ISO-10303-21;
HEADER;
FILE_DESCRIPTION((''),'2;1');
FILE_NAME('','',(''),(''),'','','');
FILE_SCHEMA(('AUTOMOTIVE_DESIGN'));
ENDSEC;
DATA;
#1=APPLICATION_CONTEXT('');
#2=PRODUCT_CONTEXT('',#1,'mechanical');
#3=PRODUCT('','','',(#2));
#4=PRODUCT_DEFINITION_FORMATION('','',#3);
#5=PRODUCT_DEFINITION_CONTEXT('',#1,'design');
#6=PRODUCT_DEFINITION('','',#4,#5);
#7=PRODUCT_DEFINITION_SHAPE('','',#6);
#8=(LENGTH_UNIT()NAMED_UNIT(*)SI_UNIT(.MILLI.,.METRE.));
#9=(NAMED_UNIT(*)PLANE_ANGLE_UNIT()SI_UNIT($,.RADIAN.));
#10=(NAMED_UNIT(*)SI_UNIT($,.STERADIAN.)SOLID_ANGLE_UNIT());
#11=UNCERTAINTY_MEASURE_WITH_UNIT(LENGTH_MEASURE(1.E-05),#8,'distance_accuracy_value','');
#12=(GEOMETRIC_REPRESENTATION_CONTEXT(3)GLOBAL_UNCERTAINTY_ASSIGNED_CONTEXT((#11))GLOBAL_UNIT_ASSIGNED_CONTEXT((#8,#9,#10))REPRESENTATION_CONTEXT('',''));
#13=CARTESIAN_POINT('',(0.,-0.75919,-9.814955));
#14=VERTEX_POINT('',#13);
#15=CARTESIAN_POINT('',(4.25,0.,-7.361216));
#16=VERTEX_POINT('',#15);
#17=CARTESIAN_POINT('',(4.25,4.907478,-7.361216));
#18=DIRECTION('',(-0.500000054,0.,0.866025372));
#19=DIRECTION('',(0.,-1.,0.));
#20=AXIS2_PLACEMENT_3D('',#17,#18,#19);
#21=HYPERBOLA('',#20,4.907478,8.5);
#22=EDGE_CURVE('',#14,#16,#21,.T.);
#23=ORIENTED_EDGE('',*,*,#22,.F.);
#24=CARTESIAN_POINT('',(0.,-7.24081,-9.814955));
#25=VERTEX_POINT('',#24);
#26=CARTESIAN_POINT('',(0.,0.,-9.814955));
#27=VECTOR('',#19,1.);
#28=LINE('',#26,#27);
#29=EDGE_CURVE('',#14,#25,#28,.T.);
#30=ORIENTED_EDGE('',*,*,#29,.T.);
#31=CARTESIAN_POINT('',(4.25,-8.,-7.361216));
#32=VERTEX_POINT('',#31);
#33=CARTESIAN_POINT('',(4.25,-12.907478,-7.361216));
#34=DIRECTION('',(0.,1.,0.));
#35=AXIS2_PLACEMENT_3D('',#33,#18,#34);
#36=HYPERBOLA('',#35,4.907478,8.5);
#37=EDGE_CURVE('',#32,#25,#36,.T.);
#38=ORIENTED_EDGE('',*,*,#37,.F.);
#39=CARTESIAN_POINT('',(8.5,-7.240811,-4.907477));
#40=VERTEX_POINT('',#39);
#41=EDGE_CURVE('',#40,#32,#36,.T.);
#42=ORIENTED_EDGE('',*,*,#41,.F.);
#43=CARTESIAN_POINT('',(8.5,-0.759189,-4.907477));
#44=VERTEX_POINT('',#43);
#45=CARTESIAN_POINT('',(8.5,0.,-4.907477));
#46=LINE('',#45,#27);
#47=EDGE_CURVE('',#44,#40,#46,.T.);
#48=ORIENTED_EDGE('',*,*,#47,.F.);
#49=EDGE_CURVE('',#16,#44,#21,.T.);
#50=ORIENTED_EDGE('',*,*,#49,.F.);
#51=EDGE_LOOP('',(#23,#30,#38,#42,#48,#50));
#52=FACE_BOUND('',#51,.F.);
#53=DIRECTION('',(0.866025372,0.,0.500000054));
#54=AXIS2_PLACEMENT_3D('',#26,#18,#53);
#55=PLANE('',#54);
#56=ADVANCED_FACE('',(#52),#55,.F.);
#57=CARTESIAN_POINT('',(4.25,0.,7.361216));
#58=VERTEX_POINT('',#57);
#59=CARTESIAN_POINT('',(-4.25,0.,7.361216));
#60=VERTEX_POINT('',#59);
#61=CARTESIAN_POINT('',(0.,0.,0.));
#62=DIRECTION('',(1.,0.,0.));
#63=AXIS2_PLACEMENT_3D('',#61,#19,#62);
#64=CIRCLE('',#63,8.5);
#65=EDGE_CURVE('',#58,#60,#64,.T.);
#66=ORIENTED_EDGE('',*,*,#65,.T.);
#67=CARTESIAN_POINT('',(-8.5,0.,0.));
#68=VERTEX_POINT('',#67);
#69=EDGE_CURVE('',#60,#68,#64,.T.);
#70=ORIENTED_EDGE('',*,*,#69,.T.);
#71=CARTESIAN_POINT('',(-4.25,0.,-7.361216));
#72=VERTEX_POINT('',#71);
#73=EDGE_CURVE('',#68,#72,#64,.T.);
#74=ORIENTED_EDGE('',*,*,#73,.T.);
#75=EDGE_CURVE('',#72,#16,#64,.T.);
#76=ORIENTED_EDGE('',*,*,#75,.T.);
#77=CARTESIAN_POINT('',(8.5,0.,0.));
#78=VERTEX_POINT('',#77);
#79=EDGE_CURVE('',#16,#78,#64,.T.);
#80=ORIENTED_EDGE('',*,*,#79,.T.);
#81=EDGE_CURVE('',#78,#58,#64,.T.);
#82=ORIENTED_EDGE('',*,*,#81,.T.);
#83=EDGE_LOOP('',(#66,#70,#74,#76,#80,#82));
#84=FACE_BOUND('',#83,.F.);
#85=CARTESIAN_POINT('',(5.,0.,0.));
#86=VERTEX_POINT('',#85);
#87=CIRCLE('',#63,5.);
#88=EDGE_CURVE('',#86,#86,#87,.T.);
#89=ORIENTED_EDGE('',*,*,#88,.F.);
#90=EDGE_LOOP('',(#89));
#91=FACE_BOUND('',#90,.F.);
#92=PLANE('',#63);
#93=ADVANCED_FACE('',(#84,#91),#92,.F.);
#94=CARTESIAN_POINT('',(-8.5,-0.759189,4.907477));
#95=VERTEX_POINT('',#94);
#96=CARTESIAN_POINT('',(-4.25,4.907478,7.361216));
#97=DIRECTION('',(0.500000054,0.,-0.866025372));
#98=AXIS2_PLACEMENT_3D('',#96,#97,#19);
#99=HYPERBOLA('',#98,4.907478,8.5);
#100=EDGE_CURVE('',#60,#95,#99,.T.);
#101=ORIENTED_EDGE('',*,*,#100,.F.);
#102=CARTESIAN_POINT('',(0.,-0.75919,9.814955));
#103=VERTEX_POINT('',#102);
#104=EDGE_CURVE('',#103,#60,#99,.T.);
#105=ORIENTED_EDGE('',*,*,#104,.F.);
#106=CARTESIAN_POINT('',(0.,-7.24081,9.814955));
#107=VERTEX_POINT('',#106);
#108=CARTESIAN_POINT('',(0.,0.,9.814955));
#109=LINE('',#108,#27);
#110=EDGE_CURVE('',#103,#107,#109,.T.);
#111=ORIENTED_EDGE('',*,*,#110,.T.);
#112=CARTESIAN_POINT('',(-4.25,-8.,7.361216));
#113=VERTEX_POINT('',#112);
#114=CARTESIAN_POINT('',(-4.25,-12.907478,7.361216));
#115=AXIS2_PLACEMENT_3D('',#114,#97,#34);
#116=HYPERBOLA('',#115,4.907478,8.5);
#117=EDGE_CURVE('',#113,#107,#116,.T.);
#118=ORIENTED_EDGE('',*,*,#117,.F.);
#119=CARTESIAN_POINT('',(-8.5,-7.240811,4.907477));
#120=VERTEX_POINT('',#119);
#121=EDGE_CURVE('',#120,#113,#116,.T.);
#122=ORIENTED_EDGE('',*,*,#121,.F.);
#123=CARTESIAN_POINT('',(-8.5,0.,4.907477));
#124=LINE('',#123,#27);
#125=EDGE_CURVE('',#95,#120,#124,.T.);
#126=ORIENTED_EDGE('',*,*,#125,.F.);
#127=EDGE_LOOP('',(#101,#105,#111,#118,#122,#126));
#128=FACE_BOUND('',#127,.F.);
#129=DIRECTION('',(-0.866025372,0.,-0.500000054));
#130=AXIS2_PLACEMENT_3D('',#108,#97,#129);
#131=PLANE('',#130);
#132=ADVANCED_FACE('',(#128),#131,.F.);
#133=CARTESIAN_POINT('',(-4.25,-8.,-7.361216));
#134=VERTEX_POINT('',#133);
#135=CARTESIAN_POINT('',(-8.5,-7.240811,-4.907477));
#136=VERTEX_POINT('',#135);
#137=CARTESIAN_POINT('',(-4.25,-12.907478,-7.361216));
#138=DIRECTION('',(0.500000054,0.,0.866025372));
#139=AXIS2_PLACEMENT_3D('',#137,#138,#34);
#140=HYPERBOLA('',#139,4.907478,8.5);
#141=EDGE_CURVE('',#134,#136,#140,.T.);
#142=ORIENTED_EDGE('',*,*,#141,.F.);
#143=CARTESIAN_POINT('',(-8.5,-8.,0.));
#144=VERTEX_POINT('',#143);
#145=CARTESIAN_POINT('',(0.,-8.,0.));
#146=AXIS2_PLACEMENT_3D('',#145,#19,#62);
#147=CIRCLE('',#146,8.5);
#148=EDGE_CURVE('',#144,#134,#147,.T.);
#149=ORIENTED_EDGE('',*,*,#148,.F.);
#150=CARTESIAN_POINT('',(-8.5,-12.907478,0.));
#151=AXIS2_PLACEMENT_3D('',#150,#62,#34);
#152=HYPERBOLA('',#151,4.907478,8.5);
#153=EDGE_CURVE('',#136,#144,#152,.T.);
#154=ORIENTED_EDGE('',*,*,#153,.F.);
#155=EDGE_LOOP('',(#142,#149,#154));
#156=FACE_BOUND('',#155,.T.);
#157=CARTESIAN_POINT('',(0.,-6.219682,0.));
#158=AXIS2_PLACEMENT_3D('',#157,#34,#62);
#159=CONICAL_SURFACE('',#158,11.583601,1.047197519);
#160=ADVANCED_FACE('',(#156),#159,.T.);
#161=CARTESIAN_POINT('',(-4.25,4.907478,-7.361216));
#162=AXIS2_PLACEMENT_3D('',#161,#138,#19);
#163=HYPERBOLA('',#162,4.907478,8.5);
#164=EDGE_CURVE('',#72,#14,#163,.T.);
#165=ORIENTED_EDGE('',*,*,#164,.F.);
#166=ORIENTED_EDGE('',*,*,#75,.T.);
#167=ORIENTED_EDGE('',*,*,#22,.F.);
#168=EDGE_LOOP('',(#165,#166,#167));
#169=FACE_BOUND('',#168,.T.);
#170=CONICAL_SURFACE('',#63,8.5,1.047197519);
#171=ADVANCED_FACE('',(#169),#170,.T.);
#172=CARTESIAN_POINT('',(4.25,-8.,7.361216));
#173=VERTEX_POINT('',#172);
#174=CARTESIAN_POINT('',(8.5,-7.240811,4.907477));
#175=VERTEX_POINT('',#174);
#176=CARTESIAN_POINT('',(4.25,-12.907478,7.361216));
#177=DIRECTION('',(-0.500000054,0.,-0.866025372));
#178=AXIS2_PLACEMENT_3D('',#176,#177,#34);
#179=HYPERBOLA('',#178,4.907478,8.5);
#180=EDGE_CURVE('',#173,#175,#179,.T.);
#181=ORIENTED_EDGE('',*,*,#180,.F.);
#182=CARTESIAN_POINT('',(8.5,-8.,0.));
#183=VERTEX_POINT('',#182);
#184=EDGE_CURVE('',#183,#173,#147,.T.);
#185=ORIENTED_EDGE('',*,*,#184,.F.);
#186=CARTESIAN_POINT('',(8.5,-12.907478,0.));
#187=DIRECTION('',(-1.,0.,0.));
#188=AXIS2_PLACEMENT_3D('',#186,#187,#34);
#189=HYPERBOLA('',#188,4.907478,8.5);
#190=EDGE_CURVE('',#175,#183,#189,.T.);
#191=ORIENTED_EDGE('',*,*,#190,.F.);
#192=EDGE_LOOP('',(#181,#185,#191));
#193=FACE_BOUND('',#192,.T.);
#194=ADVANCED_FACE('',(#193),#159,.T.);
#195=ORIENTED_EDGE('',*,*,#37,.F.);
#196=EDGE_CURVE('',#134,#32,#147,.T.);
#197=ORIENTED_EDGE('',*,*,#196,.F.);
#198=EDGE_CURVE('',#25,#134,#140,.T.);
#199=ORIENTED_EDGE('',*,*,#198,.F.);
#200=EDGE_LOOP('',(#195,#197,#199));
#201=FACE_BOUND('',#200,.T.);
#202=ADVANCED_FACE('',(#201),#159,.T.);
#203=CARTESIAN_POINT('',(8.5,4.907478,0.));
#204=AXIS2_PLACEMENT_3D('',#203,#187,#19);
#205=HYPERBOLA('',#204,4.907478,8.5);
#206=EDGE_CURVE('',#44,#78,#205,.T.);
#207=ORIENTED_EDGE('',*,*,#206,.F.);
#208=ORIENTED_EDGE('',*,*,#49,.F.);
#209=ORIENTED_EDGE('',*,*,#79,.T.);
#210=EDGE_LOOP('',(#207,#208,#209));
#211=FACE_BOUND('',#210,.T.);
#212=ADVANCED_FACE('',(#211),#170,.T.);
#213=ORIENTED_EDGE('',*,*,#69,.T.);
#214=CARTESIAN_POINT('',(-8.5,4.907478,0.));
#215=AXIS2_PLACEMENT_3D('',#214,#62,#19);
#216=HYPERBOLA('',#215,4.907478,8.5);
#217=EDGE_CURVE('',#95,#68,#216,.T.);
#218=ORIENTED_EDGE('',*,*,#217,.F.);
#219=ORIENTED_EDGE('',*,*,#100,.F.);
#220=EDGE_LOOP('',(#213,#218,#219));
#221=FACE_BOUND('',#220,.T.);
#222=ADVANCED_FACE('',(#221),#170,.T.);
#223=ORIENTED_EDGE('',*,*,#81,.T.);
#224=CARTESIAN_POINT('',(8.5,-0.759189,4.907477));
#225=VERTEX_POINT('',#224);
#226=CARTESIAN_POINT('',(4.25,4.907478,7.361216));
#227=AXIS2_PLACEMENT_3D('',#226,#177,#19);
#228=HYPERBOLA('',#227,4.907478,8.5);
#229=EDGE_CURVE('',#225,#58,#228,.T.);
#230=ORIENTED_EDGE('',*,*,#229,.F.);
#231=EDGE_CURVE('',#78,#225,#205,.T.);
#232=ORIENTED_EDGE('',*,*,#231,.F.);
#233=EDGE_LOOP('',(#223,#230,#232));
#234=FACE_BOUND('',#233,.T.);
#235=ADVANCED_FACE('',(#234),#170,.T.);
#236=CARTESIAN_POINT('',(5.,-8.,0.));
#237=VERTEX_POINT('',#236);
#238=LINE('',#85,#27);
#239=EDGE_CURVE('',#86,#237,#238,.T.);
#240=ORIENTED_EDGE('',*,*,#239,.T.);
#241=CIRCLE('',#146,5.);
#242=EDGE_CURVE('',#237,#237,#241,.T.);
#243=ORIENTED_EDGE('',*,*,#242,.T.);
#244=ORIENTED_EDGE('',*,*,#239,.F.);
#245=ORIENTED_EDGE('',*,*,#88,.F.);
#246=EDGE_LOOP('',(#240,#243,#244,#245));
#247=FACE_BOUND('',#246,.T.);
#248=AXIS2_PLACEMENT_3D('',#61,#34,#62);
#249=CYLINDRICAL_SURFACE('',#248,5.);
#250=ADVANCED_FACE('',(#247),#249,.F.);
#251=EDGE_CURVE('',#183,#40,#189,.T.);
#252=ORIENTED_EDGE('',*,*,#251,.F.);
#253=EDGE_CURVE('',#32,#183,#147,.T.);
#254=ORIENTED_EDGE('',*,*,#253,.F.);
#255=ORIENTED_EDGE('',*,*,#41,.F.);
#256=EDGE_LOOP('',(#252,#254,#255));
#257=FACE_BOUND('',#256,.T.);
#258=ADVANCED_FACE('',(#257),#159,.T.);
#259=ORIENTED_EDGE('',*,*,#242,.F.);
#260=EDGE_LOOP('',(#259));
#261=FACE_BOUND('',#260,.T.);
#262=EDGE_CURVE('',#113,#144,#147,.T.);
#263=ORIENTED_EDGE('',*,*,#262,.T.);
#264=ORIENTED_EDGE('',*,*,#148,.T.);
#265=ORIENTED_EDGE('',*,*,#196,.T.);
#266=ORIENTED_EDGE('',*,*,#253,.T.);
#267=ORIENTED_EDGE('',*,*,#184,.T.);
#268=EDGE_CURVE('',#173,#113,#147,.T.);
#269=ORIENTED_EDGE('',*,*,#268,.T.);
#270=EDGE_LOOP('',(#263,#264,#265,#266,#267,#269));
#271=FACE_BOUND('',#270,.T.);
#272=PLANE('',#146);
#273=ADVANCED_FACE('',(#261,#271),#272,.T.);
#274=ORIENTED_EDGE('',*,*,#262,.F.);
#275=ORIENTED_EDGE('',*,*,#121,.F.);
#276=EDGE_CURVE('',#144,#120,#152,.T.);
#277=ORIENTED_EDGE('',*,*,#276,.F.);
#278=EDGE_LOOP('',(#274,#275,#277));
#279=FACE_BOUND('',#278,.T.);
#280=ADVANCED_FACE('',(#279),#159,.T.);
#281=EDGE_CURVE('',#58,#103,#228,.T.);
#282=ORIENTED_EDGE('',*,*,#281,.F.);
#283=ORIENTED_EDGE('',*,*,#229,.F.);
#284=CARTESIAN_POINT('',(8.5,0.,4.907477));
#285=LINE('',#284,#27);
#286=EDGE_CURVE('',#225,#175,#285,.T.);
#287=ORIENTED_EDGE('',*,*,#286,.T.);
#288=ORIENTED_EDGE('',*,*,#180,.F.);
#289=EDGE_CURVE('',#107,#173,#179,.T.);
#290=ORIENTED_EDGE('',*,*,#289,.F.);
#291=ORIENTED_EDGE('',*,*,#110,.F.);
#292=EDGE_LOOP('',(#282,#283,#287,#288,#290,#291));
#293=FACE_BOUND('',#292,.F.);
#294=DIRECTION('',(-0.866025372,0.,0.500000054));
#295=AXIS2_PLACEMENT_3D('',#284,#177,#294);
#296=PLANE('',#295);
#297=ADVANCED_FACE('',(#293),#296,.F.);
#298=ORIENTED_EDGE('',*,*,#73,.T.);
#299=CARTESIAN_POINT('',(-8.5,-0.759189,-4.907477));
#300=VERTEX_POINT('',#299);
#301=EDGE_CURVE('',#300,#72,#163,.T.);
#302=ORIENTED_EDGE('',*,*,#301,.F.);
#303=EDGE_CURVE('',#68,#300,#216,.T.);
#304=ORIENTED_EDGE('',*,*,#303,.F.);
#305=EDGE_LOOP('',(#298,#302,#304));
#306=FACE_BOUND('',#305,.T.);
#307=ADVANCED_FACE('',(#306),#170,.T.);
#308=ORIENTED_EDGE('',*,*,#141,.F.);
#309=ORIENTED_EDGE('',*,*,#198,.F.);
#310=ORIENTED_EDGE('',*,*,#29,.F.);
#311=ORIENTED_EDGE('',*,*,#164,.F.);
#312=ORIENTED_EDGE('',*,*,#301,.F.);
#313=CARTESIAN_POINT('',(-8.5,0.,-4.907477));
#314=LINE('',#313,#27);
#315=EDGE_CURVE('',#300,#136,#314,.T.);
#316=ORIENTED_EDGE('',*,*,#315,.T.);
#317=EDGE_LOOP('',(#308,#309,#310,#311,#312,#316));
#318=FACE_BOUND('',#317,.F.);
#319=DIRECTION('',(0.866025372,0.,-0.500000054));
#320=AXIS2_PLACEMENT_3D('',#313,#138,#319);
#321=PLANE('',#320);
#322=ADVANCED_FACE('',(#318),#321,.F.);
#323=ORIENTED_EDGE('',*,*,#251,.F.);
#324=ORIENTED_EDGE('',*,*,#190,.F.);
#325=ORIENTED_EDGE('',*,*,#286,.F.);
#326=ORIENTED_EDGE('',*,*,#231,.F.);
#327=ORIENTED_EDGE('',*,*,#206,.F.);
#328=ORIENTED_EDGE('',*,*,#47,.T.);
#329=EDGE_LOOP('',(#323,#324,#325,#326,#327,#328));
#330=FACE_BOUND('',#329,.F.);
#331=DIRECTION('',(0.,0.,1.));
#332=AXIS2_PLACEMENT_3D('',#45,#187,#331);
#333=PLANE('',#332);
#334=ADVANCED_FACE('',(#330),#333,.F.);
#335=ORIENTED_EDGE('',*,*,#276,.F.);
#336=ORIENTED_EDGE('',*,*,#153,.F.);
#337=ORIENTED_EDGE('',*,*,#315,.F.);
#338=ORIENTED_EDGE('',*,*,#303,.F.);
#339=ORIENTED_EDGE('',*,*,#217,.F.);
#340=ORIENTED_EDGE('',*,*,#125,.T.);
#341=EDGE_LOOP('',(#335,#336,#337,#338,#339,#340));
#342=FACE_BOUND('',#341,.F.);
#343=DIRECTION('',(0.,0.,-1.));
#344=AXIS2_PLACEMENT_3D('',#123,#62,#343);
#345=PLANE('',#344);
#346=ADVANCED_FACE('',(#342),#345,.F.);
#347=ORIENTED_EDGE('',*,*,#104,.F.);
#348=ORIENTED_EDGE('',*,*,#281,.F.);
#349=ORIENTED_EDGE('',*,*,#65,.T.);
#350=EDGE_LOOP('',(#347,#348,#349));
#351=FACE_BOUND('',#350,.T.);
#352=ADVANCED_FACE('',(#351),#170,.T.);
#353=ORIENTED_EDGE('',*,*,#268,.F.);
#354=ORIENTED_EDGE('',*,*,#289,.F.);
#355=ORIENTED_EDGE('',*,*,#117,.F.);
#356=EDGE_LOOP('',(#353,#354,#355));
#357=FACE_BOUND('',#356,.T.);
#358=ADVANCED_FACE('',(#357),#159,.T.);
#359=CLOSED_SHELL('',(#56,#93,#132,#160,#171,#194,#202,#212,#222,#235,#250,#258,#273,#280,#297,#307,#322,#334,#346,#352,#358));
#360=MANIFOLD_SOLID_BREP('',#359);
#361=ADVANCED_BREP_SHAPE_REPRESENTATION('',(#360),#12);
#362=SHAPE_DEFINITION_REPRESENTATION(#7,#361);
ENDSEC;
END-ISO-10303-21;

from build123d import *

# Parameters (mm, degrees)
F0_R     = 5
F1_DEPTH = 8


with BuildPart() as f1:
    # F0 (on Front) → F1 (new body)
    with BuildSketch(Plane.XZ):
        Polygon((8.5, -4.907477), (8.5, 4.907477), (0, 9.814955), (-8.5, 4.907477), (-8.5, -4.907477), (0, -9.814955), align=None)
        Circle(F0_R, mode=Mode.SUBTRACT)
    extrude(amount=F1_DEPTH)

    # F2 (on Top) → F3 (revolve, cut)
    with BuildSketch(Plane.XY):
        Polygon((11.583601, -1.780318), (11.583601, 0), (8.5, 0), align=None)
        Polygon((11.583601, -6.219682), (8.5, -8), (11.583601, -8), align=None)
    revolve(axis=Axis((0, -4, 0), (0, -1, 0)), mode=Mode.SUBTRACT)


solid = f1.part
